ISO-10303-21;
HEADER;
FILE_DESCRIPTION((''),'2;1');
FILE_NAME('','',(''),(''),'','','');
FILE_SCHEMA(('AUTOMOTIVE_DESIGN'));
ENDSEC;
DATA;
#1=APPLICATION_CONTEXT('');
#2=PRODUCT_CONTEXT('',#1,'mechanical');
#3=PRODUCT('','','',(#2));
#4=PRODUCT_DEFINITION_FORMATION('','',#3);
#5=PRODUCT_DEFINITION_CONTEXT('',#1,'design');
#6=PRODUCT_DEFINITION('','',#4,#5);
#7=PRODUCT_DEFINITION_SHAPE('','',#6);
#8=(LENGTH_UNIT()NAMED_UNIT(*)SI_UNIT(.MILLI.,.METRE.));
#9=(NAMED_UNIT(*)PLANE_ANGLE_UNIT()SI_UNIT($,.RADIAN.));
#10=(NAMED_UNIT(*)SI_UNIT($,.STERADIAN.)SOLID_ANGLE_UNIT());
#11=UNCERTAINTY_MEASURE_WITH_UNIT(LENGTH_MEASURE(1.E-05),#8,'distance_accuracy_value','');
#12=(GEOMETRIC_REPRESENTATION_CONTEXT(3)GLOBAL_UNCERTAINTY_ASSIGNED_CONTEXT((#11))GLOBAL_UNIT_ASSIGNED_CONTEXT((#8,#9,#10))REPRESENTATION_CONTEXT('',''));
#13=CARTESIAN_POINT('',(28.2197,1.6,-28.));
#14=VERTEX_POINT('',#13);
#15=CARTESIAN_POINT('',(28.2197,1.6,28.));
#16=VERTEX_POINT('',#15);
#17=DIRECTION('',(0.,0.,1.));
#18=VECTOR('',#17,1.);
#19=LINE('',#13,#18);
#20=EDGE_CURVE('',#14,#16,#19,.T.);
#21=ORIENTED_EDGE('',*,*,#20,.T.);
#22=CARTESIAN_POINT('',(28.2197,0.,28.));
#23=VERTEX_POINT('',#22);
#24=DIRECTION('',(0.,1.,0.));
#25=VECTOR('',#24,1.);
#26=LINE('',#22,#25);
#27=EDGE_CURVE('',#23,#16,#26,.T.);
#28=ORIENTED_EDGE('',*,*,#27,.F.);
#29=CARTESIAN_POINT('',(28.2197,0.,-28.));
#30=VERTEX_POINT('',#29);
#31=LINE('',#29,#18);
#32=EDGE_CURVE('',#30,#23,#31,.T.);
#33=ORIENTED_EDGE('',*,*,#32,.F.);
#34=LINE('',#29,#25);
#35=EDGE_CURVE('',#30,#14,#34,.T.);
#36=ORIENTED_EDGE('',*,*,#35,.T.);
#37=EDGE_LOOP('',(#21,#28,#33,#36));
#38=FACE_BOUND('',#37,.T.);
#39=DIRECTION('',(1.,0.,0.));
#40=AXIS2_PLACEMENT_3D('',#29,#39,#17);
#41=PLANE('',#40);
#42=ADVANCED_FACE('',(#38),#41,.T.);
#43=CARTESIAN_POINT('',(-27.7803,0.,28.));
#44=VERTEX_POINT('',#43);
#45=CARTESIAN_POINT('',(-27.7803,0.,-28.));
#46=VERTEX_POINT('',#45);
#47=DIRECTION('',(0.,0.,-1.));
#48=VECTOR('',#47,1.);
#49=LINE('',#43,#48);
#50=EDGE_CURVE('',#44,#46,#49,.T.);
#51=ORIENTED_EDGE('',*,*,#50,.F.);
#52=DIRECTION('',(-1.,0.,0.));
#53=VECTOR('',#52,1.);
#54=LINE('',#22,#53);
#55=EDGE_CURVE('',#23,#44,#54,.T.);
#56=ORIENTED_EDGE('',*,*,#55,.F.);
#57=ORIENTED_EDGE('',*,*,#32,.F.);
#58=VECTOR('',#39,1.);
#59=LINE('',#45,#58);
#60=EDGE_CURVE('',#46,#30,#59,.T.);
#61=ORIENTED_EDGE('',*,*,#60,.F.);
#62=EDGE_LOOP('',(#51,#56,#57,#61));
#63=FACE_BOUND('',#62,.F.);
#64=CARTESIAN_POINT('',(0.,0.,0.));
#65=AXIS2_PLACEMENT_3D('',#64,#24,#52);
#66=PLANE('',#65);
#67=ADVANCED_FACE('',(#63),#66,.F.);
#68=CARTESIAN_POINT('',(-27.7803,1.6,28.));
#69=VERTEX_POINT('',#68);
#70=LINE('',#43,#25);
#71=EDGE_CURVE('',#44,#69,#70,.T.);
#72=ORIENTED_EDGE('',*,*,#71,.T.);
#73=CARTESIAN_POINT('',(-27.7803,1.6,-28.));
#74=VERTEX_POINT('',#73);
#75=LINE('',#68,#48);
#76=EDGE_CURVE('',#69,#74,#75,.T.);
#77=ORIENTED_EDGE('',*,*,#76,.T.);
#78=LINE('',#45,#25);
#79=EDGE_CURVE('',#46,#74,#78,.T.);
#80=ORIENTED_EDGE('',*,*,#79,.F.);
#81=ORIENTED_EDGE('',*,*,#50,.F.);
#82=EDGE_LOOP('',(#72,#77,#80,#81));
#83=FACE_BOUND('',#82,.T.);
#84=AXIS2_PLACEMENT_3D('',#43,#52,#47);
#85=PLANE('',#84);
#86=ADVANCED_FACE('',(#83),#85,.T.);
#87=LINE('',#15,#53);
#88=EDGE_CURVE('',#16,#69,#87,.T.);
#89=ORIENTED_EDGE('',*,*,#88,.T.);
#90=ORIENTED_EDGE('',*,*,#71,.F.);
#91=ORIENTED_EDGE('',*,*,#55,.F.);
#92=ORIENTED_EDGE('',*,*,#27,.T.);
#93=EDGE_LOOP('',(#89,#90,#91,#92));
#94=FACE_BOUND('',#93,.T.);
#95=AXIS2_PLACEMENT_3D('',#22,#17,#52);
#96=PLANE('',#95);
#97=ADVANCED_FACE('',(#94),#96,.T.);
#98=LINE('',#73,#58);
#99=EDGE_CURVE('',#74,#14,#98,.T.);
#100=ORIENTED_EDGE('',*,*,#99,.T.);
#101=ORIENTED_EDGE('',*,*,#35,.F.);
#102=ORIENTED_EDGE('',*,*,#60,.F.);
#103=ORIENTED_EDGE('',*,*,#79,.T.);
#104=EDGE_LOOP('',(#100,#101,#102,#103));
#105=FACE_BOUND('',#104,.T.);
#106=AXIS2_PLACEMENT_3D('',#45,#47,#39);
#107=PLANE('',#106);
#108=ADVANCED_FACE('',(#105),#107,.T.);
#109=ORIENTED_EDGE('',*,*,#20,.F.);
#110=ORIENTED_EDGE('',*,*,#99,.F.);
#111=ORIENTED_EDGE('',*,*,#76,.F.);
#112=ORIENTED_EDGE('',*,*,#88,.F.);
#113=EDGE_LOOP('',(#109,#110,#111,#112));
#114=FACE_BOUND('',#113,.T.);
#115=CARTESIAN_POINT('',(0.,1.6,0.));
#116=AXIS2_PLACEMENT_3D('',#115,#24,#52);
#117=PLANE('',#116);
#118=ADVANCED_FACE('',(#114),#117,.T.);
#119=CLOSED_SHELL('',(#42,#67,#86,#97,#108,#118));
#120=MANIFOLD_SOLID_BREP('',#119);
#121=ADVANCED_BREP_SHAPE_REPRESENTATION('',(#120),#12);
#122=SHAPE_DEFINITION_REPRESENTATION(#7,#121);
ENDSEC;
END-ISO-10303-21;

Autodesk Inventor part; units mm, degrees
ref_plane "YZ Plane" through (0, 0, 0) normal (1, 0, 0) x (0, 1, 0)
ref_plane "XZ Plane" through (0, 0, 0) normal (0, 1, 0) x (-1, 0, 0)
ref_plane "XY Plane" through (0, 0, 0) normal (0, 0, 1) x (1, 0, 0)
sketch "Sketch1" plane through (0, 0, 0) normal (0, 1, 0) x (-1, 0, 0)
  line L0 (-28.2197, 28) -> (27.7803, 28)
  line L1 (27.7803, 28) -> (27.7803, -28)
  line L2 (27.7803, -28) -> (-28.2197, -28)
  line L3 (-28.2197, -28) -> (-28.2197, 28)
  line L4 (-28.2197, 28) -> (27.7803, -28) construction
  line L5 (27.7803, 28) -> (-28.2197, -28) construction
  point P0 (0, 0)
  point P1 (-0.2197, 0)
  dimension "d0" = 56
  dimension "d1" = 56
extrude "Extrusion1" add sketch "Sketch1" along normal blind 1.6
properties part number "Base Plate"
